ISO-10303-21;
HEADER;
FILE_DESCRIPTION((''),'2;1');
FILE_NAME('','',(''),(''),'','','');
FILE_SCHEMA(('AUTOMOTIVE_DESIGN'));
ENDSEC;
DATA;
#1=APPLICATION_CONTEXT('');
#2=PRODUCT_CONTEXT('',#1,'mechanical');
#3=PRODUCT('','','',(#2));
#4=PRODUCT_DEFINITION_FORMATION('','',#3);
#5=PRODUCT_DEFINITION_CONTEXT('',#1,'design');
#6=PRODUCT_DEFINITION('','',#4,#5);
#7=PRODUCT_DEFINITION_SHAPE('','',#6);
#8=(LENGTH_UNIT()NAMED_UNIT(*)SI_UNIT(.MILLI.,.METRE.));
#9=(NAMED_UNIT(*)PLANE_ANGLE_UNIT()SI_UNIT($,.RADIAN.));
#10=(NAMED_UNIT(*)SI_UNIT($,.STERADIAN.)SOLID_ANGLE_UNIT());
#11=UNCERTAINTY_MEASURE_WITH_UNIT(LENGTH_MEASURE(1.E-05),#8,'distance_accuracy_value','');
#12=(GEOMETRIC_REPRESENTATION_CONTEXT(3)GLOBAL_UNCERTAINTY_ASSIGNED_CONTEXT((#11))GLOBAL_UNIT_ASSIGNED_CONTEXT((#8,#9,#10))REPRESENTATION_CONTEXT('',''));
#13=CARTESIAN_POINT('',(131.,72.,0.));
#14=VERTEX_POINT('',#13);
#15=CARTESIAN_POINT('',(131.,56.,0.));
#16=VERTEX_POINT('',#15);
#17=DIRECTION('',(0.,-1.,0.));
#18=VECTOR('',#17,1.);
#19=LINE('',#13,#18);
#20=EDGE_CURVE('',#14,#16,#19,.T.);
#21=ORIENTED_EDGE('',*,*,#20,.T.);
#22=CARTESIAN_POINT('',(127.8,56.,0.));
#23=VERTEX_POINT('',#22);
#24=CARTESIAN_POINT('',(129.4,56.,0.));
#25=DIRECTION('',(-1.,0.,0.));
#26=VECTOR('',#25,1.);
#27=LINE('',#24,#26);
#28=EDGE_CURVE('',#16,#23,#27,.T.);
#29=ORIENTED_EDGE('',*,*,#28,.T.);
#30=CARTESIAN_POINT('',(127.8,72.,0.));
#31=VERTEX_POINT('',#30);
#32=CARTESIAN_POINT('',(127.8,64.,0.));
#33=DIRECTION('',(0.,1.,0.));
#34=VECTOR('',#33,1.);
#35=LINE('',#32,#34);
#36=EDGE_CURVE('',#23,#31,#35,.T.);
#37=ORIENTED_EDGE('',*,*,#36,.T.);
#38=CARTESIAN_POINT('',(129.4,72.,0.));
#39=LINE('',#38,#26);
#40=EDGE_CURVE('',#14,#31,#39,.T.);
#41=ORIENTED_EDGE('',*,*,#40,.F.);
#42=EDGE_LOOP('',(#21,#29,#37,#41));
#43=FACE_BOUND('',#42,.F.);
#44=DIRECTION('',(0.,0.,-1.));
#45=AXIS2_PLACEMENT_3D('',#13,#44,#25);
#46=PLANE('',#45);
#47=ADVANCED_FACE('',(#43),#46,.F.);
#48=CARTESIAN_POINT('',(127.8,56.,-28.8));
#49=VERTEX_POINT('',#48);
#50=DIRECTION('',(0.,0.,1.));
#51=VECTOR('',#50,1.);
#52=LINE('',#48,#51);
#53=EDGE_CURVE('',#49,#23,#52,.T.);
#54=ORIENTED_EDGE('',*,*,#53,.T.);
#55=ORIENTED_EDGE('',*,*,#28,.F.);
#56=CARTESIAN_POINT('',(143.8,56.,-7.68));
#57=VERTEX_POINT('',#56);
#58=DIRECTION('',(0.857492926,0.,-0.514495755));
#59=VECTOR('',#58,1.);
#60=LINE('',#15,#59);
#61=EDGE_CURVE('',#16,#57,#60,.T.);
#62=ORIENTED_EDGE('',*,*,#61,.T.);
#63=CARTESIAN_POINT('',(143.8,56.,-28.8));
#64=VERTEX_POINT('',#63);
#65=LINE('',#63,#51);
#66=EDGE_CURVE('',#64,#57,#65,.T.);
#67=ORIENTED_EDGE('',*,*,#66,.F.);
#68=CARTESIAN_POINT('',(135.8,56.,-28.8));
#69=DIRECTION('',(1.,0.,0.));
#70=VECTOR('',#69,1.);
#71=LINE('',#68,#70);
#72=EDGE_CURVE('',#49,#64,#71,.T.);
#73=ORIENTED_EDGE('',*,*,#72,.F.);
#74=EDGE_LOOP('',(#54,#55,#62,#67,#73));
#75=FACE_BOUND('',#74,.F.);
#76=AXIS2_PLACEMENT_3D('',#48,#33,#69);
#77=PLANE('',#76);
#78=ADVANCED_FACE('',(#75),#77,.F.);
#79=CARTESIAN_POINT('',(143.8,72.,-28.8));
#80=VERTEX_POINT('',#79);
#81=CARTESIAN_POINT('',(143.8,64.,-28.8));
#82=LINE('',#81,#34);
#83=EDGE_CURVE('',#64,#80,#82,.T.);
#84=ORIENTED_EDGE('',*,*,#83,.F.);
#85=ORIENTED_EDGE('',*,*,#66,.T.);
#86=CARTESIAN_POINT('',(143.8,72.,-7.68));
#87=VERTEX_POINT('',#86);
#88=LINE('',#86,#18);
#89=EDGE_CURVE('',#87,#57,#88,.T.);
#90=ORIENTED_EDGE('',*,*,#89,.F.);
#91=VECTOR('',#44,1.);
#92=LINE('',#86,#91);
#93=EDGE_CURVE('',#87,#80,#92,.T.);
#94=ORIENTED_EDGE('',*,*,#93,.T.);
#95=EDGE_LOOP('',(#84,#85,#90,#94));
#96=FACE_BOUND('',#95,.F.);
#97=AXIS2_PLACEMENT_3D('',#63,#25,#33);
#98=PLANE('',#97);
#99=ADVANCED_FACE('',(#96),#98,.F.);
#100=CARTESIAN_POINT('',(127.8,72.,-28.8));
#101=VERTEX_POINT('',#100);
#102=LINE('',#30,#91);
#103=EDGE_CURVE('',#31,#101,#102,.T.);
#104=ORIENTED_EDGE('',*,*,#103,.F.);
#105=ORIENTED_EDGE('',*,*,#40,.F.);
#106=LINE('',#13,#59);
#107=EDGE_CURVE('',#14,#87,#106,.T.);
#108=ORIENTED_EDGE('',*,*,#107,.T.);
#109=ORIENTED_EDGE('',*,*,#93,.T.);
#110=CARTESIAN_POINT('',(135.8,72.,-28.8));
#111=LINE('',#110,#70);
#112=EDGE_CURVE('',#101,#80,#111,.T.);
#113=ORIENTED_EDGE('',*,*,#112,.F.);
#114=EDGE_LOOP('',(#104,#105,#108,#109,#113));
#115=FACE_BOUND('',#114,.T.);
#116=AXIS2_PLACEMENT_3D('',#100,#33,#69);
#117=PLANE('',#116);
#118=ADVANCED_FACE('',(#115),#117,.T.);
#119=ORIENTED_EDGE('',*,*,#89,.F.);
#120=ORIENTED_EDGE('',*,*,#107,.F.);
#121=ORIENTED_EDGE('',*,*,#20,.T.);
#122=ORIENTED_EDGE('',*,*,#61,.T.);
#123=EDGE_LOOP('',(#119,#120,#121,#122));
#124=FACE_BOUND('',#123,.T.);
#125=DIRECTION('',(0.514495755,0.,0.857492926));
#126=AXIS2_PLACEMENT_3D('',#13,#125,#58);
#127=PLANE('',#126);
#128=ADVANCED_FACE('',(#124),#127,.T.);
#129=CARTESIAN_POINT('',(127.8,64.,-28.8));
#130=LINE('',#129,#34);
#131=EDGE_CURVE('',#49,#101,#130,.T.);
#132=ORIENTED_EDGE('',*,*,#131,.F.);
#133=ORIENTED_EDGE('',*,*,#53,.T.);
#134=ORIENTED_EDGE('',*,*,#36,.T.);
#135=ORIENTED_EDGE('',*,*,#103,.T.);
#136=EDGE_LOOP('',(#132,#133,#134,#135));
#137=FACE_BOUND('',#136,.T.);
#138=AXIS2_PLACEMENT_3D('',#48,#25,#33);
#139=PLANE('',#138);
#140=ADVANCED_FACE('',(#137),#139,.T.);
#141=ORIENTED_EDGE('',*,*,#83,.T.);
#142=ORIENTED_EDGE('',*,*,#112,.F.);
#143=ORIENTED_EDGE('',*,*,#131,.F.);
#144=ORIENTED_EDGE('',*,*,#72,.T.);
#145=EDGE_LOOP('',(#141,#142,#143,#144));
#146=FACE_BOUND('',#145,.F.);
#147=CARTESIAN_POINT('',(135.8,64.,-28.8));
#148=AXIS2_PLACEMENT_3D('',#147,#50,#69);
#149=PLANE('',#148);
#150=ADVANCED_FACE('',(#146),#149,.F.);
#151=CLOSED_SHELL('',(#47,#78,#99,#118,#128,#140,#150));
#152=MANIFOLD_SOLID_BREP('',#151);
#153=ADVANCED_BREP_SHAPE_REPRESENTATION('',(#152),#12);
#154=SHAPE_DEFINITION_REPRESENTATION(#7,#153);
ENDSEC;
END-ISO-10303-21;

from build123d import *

# Parameters (mm, degrees)
SKETCH010_W     = 16
SKETCH010_H     = 16
PAD007_DEPTH    = 28.8
POCKET003_DEPTH = 16
SKETCH130_W     = 3.2
SKETCH130_H     = 3.2
PAD130_DEPTH    = 16


with BuildPart() as part:
    # Sketch010 (on Face84 of Binder003) → Pad007 (new body)
    with BuildSketch(Plane.XY.offset(-28.8)):
        with Locations((135.8, 64)):
            Rectangle(SKETCH010_W, SKETCH010_H)
    extrude(amount=PAD007_DEPTH)

    # Sketch011 (on Face2 of Pad007) → Pocket003 (cut)
    with BuildSketch(Plane.XZ.offset(-56)):
        Polygon((143.8, -9.6), (127.8, 0), (143.8, 0), align=None)
    extrude(amount=-POCKET003_DEPTH, mode=Mode.SUBTRACT)

    # Sketch130 (on Face2 of Pocket003) → Pad130 (join)
    with BuildSketch(Plane(origin=(0, 72, 0), x_dir=(-1, 0, 0), z_dir=(0, 1, 0))):
        with Locations((-129.4, -1.6)):
            Rectangle(SKETCH130_W, SKETCH130_H)
        Polygon((-131, 0), (-143.8, -7.68), (-143.8, -10.88), (-131, -3.2), align=None)
    extrude(amount=-PAD130_DEPTH)


solid = part.part
